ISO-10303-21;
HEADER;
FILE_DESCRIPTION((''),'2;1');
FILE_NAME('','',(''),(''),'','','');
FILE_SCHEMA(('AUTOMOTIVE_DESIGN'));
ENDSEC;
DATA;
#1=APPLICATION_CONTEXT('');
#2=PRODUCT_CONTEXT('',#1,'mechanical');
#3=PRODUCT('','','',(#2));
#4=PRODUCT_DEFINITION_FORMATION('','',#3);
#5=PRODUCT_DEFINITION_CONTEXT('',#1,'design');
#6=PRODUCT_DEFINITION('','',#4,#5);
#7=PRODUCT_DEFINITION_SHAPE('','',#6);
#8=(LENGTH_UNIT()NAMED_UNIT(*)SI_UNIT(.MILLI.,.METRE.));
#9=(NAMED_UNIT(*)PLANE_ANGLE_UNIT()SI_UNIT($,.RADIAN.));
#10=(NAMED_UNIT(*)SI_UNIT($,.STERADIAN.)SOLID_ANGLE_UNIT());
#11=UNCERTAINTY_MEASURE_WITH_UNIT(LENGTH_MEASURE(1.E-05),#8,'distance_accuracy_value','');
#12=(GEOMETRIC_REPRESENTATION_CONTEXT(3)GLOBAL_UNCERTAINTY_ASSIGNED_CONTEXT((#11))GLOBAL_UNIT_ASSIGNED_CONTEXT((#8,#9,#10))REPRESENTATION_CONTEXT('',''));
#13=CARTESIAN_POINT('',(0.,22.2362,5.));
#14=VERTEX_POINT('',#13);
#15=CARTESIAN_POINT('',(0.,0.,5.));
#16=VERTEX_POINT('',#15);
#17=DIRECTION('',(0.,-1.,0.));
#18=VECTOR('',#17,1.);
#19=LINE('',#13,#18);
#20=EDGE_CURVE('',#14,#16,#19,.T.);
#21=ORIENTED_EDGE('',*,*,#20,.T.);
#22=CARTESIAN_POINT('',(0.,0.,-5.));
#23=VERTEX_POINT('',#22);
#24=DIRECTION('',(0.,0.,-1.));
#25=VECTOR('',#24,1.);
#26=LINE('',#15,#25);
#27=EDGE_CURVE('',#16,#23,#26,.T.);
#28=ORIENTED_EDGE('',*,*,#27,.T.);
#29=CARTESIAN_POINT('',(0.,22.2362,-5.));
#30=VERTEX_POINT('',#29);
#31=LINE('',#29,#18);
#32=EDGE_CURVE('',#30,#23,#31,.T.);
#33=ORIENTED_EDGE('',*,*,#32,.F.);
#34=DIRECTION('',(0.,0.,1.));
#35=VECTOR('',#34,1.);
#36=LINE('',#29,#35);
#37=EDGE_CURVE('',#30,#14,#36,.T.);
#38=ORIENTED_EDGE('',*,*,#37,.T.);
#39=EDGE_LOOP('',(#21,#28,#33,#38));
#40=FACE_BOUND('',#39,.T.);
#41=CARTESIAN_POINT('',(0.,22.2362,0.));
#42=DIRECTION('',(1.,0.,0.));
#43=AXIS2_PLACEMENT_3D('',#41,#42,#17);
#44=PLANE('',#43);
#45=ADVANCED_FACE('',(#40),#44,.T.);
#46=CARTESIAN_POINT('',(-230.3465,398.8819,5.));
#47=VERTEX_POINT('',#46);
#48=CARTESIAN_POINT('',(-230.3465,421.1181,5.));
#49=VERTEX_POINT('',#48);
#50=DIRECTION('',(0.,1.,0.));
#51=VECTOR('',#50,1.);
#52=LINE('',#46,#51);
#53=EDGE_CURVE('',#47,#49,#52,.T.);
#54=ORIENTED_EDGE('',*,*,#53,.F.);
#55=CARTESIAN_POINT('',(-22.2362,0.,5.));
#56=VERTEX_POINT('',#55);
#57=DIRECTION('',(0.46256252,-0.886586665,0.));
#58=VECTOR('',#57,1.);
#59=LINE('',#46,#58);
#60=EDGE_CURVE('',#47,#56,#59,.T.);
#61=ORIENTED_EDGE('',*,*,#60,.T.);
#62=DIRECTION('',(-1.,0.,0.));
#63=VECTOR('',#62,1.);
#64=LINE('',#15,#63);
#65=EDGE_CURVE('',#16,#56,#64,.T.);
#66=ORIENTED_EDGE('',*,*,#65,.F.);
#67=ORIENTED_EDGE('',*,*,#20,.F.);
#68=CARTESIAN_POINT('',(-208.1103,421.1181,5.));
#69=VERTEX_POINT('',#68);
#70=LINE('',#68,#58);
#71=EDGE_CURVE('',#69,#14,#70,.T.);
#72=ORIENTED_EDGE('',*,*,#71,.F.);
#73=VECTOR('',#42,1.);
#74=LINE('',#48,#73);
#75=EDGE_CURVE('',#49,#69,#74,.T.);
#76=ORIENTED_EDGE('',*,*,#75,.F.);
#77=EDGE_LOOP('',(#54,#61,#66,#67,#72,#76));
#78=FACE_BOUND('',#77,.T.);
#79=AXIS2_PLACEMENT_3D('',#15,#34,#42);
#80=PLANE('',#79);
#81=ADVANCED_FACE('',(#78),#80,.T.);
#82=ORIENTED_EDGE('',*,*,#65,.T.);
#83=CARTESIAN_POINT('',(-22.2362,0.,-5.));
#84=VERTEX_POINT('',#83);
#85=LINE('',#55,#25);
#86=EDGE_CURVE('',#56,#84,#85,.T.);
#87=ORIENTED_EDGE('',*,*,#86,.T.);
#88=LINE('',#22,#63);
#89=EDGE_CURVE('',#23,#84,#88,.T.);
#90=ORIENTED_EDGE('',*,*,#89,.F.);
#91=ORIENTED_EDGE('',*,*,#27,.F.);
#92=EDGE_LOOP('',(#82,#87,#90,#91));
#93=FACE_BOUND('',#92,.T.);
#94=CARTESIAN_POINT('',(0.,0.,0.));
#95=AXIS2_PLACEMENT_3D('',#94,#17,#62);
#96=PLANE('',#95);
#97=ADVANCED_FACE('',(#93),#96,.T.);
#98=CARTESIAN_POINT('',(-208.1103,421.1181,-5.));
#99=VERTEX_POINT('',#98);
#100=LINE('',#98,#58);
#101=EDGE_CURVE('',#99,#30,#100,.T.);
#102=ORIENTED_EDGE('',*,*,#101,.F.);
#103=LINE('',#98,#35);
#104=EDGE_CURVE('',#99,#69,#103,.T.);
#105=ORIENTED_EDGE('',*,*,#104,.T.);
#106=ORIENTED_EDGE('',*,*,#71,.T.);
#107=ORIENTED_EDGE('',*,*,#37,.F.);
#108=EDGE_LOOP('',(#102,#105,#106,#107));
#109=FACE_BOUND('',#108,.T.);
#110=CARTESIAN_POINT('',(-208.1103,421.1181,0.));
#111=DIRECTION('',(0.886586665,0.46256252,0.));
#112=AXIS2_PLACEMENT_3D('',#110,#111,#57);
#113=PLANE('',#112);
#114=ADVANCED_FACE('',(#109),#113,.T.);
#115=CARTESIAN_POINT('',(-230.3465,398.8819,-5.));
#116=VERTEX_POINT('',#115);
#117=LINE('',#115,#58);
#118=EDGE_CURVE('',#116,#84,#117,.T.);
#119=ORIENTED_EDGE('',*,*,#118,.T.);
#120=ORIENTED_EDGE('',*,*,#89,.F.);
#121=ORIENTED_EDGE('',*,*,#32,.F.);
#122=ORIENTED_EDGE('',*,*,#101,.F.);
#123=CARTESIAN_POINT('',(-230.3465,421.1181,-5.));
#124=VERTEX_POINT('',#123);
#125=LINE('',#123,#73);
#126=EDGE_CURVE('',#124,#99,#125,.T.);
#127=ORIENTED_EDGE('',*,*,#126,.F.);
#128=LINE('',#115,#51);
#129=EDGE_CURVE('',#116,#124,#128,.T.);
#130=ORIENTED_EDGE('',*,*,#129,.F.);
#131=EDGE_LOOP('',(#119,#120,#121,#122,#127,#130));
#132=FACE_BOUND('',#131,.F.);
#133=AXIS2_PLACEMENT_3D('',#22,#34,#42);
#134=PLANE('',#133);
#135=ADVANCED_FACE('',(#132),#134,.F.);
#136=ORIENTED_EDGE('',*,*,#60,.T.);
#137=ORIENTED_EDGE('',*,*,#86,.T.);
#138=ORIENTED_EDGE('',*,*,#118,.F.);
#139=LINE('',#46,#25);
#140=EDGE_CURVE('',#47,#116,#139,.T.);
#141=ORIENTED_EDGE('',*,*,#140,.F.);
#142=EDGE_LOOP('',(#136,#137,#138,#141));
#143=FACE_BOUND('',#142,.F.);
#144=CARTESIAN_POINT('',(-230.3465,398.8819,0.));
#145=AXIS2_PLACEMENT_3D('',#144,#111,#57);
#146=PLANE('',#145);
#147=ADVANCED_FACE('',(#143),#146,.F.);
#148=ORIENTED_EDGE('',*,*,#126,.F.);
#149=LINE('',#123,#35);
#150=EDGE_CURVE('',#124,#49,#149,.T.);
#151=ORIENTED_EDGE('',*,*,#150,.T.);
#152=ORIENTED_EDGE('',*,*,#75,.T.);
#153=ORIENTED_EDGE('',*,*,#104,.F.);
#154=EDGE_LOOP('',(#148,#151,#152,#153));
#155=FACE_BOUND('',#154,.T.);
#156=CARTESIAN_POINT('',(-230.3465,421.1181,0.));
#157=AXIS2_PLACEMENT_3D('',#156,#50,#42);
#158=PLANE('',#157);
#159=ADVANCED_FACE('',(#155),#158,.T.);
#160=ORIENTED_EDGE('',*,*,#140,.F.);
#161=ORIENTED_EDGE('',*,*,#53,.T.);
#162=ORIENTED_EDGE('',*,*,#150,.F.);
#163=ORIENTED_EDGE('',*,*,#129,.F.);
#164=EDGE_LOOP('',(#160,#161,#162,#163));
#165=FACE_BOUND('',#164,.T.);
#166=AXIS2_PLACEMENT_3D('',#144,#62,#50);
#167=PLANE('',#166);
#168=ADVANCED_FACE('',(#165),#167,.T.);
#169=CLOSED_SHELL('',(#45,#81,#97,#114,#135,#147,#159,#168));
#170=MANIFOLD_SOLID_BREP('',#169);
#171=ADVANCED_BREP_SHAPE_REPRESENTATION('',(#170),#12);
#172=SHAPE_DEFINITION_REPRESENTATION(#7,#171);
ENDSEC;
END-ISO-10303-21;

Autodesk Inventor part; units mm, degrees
ref_plane "YZ Plane" through (0, 0, 0) normal (1, 0, 0) x (0, 1, 0)
ref_plane "XZ Plane" through (0, 0, 0) normal (0, 1, 0) x (-1, 0, 0)
ref_plane "XY Plane" through (0, 0, 0) normal (0, 0, 1) x (1, 0, 0)
sketch "Sketch1" plane through (0, 0, 0) normal (0, 0, 1) x (1, 0, 0)
  line L0 (-276.4159, 0) -> (46.0693, 0) construction
  line L1 (-22.2362, 22.2362) -> (0, 22.2362) construction
  line L2 (0, 22.2362) -> (0, 0)
  line L3 (0, 0) -> (-22.2362, 0)
  line L4 (-22.2362, 0) -> (-22.2362, 22.2362) construction
  line L5 (-22.2362, 22.2362) -> (0, 0) construction
  line L6 (0, 22.2362) -> (-22.2362, 0) construction
  line L7 (-230.3465, 421.1181) -> (-208.1103, 421.1181)
  line L8 (-208.1103, 421.1181) -> (-208.1103, 398.8819) construction
  line L9 (-208.1103, 398.8819) -> (-230.3465, 398.8819) construction
  line L10 (-230.3465, 398.8819) -> (-230.3465, 421.1181)
  line L11 (-230.3465, 421.1181) -> (-208.1103, 398.8819) construction
  line L12 (-208.1103, 421.1181) -> (-230.3465, 398.8819) construction
  line L13 (-230.3465, 398.8819) -> (-22.2362, 0)
  line L14 (-208.1103, 421.1181) -> (0, 22.2362)
  point P0 (-11.1181, 11.1181)
  point P1 (-219.2284, 410)
  dimension "d16" = 480
  dimension "d17" = 30
  dimension "d18" = 410
extrude "Extrusion1" add sketch "Sketch1" along normal mid plane 10
properties part number "Support - Left"
